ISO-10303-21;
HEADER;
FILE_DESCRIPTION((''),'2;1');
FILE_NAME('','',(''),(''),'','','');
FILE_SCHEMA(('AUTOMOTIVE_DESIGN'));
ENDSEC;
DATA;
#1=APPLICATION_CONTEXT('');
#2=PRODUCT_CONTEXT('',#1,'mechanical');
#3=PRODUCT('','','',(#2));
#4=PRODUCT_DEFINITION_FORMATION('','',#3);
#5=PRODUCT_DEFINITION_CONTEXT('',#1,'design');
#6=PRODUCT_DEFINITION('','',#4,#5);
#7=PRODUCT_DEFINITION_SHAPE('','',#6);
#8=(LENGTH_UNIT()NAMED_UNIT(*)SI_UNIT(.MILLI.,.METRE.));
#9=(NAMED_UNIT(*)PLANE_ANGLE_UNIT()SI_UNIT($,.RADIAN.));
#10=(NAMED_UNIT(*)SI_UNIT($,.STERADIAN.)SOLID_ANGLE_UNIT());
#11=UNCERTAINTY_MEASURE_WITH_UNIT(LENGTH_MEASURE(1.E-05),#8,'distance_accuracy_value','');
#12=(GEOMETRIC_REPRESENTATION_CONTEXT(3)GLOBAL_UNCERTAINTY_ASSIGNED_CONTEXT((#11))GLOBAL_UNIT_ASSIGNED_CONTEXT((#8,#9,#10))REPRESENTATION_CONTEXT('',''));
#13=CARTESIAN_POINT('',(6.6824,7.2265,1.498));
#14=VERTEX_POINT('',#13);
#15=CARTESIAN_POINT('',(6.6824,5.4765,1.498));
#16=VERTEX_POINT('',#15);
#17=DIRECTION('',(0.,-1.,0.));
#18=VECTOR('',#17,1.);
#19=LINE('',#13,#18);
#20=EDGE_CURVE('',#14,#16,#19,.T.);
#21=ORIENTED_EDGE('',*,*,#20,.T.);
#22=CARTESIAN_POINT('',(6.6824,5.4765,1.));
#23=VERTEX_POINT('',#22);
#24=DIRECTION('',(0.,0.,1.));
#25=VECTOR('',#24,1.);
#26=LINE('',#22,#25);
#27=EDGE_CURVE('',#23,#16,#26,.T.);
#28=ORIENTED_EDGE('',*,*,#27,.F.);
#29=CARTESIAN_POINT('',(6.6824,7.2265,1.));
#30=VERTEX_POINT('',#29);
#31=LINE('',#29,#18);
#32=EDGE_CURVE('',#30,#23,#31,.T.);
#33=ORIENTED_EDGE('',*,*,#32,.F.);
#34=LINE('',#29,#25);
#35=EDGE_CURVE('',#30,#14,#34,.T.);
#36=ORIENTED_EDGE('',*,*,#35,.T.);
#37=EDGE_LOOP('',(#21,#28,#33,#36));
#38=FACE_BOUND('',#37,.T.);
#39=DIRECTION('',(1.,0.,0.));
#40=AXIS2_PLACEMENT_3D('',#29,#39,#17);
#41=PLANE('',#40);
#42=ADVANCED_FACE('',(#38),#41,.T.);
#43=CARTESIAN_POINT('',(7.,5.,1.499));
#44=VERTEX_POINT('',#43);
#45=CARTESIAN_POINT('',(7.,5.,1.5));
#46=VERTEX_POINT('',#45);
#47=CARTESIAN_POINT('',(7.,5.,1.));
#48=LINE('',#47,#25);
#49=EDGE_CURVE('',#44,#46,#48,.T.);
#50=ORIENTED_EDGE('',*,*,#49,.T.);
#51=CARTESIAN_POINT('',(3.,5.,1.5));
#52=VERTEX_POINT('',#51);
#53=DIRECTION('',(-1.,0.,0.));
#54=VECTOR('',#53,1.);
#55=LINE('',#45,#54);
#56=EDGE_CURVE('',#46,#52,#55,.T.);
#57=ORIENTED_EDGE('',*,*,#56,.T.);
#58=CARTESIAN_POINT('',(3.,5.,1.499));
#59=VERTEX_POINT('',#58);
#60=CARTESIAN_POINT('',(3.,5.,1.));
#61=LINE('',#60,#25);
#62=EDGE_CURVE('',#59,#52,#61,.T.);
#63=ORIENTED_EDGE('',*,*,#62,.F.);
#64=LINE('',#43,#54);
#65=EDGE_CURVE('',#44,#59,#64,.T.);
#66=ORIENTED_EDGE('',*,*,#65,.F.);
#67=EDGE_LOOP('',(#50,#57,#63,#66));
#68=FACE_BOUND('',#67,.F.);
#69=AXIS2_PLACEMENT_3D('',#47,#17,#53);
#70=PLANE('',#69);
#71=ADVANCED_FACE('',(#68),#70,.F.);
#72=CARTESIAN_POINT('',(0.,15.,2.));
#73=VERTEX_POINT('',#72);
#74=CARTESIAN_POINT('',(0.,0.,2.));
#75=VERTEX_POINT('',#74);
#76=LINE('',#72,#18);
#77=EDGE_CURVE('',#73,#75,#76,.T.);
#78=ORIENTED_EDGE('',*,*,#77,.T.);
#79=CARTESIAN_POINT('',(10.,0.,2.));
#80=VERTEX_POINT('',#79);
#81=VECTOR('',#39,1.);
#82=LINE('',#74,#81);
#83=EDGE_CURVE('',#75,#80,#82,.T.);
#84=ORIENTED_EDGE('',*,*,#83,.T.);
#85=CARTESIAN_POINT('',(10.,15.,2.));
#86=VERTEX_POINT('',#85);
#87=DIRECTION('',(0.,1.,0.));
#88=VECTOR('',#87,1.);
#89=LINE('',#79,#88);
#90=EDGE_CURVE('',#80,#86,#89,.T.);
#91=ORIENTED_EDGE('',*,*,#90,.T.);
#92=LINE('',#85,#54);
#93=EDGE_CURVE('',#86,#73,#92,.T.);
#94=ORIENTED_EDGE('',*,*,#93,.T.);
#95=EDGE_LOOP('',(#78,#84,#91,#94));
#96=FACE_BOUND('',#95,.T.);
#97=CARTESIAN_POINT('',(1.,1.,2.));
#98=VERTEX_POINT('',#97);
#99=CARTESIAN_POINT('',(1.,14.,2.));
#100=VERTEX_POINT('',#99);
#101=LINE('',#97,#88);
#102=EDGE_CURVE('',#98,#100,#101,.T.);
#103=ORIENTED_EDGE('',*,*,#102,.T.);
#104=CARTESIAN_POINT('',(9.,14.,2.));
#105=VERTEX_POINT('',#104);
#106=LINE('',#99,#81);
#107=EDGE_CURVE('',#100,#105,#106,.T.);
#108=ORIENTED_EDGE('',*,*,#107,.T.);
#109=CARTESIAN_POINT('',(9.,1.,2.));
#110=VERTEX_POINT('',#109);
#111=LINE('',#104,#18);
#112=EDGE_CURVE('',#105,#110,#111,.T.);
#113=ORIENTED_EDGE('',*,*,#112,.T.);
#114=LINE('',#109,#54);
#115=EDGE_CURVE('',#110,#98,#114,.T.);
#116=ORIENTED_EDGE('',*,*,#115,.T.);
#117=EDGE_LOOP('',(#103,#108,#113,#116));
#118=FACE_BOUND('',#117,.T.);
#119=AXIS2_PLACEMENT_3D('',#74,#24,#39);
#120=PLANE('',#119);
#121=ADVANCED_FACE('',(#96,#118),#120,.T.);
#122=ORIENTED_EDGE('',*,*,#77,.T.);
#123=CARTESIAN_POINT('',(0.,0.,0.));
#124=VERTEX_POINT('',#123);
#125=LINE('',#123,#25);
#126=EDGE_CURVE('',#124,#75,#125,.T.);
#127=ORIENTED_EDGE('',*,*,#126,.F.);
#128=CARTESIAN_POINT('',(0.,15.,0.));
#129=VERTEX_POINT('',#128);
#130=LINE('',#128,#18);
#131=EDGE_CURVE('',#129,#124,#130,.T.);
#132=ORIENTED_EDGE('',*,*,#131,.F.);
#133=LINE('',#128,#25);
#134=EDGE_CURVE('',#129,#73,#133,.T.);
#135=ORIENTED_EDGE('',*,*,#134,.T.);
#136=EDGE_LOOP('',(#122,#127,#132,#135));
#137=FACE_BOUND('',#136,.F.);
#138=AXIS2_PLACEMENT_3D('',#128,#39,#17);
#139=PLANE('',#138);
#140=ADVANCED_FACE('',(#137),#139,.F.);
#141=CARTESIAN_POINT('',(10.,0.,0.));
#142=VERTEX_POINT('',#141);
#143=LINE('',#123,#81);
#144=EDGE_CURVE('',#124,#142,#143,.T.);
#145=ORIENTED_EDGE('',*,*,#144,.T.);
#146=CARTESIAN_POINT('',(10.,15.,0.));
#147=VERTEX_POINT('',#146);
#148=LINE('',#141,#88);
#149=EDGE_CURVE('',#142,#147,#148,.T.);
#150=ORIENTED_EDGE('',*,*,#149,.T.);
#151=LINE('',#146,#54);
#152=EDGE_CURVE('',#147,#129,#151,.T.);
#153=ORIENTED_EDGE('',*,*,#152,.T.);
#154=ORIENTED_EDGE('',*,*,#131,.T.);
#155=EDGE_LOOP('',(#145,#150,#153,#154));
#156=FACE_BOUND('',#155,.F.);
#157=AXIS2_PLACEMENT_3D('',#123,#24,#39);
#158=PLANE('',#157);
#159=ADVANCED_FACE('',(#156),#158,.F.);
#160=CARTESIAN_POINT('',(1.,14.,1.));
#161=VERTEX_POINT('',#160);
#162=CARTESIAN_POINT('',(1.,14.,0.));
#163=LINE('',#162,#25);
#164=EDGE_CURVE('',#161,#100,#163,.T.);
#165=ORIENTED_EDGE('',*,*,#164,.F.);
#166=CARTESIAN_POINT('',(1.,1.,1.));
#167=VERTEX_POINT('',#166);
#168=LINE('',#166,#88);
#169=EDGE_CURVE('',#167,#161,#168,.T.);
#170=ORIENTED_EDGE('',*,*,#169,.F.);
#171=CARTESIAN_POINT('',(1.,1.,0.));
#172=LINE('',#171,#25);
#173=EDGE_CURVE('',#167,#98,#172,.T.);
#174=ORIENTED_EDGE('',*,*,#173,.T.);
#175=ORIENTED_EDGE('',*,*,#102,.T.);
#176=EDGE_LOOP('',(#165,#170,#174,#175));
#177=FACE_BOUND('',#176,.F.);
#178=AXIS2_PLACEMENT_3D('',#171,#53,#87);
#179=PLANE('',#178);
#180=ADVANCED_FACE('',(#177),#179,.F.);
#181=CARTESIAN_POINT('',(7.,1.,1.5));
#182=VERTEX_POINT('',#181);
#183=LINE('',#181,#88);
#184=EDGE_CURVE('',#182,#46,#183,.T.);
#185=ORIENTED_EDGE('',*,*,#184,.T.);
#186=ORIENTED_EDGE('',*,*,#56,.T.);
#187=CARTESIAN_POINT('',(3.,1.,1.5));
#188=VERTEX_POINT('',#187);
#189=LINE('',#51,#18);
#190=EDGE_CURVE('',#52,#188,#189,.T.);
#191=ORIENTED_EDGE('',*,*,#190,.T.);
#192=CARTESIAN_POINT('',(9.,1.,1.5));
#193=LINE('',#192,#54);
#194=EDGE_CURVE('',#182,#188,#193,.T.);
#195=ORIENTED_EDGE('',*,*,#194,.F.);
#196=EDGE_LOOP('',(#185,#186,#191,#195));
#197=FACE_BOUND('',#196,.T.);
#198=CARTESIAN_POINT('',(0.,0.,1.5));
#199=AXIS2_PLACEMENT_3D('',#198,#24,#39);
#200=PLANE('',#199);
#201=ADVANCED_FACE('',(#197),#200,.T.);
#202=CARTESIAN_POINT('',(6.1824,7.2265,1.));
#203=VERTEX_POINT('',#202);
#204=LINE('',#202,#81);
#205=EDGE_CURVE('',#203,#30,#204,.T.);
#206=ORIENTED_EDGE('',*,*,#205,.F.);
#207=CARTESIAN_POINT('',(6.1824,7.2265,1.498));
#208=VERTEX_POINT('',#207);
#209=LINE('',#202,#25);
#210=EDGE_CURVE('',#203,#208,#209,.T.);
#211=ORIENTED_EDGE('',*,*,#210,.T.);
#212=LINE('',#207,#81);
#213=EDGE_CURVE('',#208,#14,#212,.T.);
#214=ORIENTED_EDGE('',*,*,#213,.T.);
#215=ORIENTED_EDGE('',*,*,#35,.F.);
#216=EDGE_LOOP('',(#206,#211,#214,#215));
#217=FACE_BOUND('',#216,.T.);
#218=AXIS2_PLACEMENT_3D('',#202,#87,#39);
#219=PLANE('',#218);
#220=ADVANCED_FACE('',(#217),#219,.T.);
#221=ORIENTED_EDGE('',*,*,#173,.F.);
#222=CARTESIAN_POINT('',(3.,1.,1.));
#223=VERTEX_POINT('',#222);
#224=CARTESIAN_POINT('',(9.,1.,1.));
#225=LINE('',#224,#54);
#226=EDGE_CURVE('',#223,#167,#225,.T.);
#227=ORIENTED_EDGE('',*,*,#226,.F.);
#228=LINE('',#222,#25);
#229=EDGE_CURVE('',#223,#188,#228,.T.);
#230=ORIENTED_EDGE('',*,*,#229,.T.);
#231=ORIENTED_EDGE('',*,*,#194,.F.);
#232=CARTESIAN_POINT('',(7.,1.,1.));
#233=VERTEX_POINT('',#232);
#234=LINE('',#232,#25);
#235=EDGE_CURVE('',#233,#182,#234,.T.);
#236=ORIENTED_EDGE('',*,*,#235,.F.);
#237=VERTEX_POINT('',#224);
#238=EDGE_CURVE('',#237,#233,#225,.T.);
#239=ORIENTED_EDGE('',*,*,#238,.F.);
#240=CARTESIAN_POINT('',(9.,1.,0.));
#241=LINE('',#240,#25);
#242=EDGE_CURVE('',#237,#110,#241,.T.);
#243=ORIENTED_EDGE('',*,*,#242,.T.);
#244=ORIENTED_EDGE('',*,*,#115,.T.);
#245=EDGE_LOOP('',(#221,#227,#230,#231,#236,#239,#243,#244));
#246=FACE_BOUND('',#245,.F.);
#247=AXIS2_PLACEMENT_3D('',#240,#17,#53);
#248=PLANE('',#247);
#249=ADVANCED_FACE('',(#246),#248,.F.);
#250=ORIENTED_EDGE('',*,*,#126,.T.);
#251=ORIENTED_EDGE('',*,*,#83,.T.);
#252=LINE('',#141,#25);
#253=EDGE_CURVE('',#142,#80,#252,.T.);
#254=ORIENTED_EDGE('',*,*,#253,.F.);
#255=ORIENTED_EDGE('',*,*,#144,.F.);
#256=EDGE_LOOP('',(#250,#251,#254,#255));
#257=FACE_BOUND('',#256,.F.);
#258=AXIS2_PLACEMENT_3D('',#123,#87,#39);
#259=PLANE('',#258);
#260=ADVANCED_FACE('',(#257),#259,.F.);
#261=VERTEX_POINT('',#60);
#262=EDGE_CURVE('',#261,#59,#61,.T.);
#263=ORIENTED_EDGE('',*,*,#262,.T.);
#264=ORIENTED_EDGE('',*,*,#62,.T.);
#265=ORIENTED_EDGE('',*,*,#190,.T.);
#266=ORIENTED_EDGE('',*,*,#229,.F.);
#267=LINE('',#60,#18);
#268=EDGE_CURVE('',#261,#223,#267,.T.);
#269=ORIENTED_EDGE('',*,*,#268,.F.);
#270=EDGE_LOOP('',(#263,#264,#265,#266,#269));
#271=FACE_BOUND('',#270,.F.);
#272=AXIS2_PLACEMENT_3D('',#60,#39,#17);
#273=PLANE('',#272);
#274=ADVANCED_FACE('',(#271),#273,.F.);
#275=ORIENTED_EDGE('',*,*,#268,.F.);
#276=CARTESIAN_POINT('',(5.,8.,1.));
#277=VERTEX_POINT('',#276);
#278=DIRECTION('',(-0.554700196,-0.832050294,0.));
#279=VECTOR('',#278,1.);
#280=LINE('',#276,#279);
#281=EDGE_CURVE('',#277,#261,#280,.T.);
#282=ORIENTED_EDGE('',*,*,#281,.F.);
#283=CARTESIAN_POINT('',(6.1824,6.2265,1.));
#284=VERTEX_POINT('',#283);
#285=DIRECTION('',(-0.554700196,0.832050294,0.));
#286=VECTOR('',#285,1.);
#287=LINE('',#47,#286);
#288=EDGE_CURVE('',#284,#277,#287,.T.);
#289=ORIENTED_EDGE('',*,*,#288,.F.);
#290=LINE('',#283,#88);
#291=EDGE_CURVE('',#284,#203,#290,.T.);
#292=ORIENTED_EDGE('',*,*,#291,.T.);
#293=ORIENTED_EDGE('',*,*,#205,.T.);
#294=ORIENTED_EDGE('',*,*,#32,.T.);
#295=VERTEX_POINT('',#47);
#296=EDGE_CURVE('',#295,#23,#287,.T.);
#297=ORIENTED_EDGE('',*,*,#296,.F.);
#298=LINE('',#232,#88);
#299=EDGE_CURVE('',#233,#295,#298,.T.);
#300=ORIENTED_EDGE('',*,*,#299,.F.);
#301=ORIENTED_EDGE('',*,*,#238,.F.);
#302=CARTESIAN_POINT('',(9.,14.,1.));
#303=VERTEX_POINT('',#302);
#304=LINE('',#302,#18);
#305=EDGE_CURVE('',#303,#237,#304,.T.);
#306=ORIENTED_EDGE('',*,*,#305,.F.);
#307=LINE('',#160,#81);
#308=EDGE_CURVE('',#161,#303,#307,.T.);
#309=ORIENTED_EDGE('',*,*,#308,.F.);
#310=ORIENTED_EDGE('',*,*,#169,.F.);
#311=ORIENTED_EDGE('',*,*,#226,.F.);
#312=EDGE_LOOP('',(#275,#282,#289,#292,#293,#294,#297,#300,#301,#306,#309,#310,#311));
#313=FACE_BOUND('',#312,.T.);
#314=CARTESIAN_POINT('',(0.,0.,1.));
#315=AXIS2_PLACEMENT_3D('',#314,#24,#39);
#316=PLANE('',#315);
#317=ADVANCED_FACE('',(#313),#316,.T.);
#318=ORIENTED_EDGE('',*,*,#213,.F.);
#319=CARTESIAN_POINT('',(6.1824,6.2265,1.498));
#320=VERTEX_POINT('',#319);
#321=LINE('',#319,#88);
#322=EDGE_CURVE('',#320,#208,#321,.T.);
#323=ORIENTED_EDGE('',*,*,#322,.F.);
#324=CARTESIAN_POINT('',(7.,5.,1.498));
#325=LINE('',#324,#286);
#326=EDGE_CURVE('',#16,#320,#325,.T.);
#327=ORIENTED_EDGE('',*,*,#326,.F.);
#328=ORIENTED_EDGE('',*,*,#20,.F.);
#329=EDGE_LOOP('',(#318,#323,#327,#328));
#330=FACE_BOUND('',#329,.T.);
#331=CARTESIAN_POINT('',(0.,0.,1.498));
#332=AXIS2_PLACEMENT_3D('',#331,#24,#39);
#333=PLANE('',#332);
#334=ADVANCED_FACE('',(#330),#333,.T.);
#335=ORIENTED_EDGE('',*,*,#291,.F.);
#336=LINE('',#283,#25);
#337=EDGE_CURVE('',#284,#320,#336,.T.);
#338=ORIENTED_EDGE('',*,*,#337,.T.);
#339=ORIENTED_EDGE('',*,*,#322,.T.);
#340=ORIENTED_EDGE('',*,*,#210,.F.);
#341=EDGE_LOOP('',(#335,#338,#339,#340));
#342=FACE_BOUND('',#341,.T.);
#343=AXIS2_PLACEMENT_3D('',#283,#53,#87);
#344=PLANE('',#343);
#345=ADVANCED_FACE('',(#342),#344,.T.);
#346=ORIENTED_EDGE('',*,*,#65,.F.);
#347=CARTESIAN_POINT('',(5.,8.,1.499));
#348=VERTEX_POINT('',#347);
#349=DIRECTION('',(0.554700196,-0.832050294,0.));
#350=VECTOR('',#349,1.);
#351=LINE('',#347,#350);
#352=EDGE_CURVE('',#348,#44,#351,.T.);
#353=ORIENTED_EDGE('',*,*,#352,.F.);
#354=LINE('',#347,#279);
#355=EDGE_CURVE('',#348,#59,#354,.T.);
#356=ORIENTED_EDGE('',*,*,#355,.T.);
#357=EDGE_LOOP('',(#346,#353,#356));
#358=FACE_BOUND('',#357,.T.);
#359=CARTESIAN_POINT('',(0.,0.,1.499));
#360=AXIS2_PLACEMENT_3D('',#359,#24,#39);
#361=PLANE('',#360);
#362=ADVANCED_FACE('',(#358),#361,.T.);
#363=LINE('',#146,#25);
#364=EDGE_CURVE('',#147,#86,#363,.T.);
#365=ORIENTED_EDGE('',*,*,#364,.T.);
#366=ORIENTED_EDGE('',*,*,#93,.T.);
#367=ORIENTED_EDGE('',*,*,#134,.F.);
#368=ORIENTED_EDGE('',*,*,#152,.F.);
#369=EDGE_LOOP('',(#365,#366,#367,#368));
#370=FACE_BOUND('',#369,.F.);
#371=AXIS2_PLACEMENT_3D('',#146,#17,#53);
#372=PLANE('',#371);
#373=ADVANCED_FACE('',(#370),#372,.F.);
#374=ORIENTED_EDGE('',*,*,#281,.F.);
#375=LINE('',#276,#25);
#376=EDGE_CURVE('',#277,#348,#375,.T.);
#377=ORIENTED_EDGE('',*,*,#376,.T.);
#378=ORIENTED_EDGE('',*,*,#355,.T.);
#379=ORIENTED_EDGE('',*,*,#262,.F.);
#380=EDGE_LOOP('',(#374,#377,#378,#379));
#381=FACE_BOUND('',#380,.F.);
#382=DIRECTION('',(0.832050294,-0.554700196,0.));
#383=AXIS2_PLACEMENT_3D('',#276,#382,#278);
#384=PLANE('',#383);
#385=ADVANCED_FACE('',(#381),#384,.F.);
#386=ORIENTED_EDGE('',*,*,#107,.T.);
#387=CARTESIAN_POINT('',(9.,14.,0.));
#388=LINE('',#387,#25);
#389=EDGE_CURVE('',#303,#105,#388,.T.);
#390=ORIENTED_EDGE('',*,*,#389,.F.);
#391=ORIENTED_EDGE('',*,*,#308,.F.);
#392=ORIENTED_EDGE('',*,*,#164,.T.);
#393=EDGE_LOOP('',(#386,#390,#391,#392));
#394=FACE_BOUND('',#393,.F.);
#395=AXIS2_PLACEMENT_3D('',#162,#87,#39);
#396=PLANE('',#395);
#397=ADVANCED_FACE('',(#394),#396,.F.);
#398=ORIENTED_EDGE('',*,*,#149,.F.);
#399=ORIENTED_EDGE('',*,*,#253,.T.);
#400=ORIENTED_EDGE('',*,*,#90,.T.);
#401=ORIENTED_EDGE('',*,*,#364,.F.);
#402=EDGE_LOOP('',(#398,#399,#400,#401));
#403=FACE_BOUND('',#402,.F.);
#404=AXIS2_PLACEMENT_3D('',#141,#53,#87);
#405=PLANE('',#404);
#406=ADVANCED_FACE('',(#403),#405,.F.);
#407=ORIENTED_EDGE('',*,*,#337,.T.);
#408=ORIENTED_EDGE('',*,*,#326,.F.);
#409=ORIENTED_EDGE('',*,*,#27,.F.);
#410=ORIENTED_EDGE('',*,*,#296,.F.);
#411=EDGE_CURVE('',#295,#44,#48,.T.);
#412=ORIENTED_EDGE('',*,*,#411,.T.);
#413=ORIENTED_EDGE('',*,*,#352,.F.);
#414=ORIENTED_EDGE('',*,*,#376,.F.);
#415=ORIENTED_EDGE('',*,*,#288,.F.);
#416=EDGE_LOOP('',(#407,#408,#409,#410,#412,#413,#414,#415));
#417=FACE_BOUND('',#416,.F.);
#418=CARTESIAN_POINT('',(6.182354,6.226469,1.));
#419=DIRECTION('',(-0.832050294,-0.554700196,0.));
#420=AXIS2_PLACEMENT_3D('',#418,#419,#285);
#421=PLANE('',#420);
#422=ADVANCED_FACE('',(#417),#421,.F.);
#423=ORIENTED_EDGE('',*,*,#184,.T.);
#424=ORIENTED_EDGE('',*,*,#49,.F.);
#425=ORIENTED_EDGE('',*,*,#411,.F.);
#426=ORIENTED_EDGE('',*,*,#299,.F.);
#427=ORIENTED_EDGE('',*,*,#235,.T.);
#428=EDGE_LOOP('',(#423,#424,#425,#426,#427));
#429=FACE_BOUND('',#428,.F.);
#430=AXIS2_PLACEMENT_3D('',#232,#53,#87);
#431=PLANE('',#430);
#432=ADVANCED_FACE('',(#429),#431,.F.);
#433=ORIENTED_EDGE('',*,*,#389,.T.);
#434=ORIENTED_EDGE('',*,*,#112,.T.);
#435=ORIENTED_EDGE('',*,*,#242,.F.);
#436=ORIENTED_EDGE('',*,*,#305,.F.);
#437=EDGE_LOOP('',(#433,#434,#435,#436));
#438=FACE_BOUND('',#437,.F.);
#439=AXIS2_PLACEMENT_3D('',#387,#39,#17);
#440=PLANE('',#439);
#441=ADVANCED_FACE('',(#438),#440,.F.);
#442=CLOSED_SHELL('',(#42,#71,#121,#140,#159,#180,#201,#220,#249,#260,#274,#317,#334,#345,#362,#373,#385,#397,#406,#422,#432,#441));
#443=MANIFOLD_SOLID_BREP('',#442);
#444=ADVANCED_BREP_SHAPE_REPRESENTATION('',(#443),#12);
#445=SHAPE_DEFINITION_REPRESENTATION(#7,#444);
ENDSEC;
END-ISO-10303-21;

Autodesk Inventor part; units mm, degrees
ref_plane "YZ Plane" through (0, 0, 0) normal (1, 0, 0) x (0, 1, 0)
ref_plane "XZ Plane" through (0, 0, 0) normal (0, 1, 0) x (-1, 0, 0)
ref_plane "XY Plane" through (0, 0, 0) normal (0, 0, 1) x (1, 0, 0)
sketch "Sketch1" plane through (0, 0, 0) normal (0, 0, 1) x (1, 0, 0)
  line L0 (0, 0) -> (10, 0)
  line L1 (10, 0) -> (10, 15)
  line L2 (10, 15) -> (0, 15)
  line L3 (0, 15) -> (0, 0)
  line L4 (9, 1) -> (1, 1)
  line L5 (1, 1) -> (1, 14)
  line L6 (1, 14) -> (9, 14)
  line L7 (9, 14) -> (9, 1)
  dimension "d0" = 10
  dimension "d1" = 15
  dimension "d2" = 1
extrude "Extrusion1" add sketch "Sketch1" along normal blind 1 contours L4 L5 L6 L7
sketch "Sketch2" plane through (0, 0, 0) normal (0, 0, -1) x (-1, 0, 0)
  line L0 (-1, 1) -> (-9, 1) projected
  line L1 (-9, 14) -> (-1, 14) projected
  line L2 (-9, 1) -> (-1, 1)
  line L3 (-1, 1) -> (-1, 14)
  line L4 (-1, 14) -> (-9, 14)
  line L5 (-9, 14) -> (-9, 1)
  point P0 (0, 0)
extrude "Extrusion2" add sketch "Sketch1" along normal blind 2
sketch "Sketch3" plane through (0, 0, 1) normal (0, 0, 1) x (1, 0, 0)
  line L0 (9, 1) -> (1, 1) projected
  line L1 (3, 1) -> (7, 1)
  line L2 (7, 1) -> (7, 5)
  line L3 (7, 5) -> (3, 5)
  line L4 (3, 5) -> (3, 1)
  line L5 (9, 14) -> (9, 1) projected
  line L6 (3, 5) -> (7, 5)
  line L7 (7, 5) -> (5, 8)
  line L8 (5, 8) -> (3, 5)
  line L9 (6.1824, 6.2265) -> (6.1824, 7.2265)
  line L10 (6.1824, 7.2265) -> (6.6824, 7.2265)
  line L11 (6.6824, 7.2265) -> (6.6824, 5.4765)
  point P0 (0, 0)
  dimension "d7" = 4
  dimension "d8" = 4
  dimension "d9" = 2
  dimension "d10" = 3
  dimension "d11" = 1
  dimension "d12" = 0.5
extrude "Extrusion3" add sketch "Sketch3" along normal blind 0.5 contours L0 L4 L3 L2
extrude "Extrusion4" add sketch "Sketch3" along normal blind 0.499 contours L3 L8 L7
extrude "Extrusion5" add sketch "Sketch3" along normal blind 0.498 contours L7 L9 L10 L11
properties part number "Painting"
